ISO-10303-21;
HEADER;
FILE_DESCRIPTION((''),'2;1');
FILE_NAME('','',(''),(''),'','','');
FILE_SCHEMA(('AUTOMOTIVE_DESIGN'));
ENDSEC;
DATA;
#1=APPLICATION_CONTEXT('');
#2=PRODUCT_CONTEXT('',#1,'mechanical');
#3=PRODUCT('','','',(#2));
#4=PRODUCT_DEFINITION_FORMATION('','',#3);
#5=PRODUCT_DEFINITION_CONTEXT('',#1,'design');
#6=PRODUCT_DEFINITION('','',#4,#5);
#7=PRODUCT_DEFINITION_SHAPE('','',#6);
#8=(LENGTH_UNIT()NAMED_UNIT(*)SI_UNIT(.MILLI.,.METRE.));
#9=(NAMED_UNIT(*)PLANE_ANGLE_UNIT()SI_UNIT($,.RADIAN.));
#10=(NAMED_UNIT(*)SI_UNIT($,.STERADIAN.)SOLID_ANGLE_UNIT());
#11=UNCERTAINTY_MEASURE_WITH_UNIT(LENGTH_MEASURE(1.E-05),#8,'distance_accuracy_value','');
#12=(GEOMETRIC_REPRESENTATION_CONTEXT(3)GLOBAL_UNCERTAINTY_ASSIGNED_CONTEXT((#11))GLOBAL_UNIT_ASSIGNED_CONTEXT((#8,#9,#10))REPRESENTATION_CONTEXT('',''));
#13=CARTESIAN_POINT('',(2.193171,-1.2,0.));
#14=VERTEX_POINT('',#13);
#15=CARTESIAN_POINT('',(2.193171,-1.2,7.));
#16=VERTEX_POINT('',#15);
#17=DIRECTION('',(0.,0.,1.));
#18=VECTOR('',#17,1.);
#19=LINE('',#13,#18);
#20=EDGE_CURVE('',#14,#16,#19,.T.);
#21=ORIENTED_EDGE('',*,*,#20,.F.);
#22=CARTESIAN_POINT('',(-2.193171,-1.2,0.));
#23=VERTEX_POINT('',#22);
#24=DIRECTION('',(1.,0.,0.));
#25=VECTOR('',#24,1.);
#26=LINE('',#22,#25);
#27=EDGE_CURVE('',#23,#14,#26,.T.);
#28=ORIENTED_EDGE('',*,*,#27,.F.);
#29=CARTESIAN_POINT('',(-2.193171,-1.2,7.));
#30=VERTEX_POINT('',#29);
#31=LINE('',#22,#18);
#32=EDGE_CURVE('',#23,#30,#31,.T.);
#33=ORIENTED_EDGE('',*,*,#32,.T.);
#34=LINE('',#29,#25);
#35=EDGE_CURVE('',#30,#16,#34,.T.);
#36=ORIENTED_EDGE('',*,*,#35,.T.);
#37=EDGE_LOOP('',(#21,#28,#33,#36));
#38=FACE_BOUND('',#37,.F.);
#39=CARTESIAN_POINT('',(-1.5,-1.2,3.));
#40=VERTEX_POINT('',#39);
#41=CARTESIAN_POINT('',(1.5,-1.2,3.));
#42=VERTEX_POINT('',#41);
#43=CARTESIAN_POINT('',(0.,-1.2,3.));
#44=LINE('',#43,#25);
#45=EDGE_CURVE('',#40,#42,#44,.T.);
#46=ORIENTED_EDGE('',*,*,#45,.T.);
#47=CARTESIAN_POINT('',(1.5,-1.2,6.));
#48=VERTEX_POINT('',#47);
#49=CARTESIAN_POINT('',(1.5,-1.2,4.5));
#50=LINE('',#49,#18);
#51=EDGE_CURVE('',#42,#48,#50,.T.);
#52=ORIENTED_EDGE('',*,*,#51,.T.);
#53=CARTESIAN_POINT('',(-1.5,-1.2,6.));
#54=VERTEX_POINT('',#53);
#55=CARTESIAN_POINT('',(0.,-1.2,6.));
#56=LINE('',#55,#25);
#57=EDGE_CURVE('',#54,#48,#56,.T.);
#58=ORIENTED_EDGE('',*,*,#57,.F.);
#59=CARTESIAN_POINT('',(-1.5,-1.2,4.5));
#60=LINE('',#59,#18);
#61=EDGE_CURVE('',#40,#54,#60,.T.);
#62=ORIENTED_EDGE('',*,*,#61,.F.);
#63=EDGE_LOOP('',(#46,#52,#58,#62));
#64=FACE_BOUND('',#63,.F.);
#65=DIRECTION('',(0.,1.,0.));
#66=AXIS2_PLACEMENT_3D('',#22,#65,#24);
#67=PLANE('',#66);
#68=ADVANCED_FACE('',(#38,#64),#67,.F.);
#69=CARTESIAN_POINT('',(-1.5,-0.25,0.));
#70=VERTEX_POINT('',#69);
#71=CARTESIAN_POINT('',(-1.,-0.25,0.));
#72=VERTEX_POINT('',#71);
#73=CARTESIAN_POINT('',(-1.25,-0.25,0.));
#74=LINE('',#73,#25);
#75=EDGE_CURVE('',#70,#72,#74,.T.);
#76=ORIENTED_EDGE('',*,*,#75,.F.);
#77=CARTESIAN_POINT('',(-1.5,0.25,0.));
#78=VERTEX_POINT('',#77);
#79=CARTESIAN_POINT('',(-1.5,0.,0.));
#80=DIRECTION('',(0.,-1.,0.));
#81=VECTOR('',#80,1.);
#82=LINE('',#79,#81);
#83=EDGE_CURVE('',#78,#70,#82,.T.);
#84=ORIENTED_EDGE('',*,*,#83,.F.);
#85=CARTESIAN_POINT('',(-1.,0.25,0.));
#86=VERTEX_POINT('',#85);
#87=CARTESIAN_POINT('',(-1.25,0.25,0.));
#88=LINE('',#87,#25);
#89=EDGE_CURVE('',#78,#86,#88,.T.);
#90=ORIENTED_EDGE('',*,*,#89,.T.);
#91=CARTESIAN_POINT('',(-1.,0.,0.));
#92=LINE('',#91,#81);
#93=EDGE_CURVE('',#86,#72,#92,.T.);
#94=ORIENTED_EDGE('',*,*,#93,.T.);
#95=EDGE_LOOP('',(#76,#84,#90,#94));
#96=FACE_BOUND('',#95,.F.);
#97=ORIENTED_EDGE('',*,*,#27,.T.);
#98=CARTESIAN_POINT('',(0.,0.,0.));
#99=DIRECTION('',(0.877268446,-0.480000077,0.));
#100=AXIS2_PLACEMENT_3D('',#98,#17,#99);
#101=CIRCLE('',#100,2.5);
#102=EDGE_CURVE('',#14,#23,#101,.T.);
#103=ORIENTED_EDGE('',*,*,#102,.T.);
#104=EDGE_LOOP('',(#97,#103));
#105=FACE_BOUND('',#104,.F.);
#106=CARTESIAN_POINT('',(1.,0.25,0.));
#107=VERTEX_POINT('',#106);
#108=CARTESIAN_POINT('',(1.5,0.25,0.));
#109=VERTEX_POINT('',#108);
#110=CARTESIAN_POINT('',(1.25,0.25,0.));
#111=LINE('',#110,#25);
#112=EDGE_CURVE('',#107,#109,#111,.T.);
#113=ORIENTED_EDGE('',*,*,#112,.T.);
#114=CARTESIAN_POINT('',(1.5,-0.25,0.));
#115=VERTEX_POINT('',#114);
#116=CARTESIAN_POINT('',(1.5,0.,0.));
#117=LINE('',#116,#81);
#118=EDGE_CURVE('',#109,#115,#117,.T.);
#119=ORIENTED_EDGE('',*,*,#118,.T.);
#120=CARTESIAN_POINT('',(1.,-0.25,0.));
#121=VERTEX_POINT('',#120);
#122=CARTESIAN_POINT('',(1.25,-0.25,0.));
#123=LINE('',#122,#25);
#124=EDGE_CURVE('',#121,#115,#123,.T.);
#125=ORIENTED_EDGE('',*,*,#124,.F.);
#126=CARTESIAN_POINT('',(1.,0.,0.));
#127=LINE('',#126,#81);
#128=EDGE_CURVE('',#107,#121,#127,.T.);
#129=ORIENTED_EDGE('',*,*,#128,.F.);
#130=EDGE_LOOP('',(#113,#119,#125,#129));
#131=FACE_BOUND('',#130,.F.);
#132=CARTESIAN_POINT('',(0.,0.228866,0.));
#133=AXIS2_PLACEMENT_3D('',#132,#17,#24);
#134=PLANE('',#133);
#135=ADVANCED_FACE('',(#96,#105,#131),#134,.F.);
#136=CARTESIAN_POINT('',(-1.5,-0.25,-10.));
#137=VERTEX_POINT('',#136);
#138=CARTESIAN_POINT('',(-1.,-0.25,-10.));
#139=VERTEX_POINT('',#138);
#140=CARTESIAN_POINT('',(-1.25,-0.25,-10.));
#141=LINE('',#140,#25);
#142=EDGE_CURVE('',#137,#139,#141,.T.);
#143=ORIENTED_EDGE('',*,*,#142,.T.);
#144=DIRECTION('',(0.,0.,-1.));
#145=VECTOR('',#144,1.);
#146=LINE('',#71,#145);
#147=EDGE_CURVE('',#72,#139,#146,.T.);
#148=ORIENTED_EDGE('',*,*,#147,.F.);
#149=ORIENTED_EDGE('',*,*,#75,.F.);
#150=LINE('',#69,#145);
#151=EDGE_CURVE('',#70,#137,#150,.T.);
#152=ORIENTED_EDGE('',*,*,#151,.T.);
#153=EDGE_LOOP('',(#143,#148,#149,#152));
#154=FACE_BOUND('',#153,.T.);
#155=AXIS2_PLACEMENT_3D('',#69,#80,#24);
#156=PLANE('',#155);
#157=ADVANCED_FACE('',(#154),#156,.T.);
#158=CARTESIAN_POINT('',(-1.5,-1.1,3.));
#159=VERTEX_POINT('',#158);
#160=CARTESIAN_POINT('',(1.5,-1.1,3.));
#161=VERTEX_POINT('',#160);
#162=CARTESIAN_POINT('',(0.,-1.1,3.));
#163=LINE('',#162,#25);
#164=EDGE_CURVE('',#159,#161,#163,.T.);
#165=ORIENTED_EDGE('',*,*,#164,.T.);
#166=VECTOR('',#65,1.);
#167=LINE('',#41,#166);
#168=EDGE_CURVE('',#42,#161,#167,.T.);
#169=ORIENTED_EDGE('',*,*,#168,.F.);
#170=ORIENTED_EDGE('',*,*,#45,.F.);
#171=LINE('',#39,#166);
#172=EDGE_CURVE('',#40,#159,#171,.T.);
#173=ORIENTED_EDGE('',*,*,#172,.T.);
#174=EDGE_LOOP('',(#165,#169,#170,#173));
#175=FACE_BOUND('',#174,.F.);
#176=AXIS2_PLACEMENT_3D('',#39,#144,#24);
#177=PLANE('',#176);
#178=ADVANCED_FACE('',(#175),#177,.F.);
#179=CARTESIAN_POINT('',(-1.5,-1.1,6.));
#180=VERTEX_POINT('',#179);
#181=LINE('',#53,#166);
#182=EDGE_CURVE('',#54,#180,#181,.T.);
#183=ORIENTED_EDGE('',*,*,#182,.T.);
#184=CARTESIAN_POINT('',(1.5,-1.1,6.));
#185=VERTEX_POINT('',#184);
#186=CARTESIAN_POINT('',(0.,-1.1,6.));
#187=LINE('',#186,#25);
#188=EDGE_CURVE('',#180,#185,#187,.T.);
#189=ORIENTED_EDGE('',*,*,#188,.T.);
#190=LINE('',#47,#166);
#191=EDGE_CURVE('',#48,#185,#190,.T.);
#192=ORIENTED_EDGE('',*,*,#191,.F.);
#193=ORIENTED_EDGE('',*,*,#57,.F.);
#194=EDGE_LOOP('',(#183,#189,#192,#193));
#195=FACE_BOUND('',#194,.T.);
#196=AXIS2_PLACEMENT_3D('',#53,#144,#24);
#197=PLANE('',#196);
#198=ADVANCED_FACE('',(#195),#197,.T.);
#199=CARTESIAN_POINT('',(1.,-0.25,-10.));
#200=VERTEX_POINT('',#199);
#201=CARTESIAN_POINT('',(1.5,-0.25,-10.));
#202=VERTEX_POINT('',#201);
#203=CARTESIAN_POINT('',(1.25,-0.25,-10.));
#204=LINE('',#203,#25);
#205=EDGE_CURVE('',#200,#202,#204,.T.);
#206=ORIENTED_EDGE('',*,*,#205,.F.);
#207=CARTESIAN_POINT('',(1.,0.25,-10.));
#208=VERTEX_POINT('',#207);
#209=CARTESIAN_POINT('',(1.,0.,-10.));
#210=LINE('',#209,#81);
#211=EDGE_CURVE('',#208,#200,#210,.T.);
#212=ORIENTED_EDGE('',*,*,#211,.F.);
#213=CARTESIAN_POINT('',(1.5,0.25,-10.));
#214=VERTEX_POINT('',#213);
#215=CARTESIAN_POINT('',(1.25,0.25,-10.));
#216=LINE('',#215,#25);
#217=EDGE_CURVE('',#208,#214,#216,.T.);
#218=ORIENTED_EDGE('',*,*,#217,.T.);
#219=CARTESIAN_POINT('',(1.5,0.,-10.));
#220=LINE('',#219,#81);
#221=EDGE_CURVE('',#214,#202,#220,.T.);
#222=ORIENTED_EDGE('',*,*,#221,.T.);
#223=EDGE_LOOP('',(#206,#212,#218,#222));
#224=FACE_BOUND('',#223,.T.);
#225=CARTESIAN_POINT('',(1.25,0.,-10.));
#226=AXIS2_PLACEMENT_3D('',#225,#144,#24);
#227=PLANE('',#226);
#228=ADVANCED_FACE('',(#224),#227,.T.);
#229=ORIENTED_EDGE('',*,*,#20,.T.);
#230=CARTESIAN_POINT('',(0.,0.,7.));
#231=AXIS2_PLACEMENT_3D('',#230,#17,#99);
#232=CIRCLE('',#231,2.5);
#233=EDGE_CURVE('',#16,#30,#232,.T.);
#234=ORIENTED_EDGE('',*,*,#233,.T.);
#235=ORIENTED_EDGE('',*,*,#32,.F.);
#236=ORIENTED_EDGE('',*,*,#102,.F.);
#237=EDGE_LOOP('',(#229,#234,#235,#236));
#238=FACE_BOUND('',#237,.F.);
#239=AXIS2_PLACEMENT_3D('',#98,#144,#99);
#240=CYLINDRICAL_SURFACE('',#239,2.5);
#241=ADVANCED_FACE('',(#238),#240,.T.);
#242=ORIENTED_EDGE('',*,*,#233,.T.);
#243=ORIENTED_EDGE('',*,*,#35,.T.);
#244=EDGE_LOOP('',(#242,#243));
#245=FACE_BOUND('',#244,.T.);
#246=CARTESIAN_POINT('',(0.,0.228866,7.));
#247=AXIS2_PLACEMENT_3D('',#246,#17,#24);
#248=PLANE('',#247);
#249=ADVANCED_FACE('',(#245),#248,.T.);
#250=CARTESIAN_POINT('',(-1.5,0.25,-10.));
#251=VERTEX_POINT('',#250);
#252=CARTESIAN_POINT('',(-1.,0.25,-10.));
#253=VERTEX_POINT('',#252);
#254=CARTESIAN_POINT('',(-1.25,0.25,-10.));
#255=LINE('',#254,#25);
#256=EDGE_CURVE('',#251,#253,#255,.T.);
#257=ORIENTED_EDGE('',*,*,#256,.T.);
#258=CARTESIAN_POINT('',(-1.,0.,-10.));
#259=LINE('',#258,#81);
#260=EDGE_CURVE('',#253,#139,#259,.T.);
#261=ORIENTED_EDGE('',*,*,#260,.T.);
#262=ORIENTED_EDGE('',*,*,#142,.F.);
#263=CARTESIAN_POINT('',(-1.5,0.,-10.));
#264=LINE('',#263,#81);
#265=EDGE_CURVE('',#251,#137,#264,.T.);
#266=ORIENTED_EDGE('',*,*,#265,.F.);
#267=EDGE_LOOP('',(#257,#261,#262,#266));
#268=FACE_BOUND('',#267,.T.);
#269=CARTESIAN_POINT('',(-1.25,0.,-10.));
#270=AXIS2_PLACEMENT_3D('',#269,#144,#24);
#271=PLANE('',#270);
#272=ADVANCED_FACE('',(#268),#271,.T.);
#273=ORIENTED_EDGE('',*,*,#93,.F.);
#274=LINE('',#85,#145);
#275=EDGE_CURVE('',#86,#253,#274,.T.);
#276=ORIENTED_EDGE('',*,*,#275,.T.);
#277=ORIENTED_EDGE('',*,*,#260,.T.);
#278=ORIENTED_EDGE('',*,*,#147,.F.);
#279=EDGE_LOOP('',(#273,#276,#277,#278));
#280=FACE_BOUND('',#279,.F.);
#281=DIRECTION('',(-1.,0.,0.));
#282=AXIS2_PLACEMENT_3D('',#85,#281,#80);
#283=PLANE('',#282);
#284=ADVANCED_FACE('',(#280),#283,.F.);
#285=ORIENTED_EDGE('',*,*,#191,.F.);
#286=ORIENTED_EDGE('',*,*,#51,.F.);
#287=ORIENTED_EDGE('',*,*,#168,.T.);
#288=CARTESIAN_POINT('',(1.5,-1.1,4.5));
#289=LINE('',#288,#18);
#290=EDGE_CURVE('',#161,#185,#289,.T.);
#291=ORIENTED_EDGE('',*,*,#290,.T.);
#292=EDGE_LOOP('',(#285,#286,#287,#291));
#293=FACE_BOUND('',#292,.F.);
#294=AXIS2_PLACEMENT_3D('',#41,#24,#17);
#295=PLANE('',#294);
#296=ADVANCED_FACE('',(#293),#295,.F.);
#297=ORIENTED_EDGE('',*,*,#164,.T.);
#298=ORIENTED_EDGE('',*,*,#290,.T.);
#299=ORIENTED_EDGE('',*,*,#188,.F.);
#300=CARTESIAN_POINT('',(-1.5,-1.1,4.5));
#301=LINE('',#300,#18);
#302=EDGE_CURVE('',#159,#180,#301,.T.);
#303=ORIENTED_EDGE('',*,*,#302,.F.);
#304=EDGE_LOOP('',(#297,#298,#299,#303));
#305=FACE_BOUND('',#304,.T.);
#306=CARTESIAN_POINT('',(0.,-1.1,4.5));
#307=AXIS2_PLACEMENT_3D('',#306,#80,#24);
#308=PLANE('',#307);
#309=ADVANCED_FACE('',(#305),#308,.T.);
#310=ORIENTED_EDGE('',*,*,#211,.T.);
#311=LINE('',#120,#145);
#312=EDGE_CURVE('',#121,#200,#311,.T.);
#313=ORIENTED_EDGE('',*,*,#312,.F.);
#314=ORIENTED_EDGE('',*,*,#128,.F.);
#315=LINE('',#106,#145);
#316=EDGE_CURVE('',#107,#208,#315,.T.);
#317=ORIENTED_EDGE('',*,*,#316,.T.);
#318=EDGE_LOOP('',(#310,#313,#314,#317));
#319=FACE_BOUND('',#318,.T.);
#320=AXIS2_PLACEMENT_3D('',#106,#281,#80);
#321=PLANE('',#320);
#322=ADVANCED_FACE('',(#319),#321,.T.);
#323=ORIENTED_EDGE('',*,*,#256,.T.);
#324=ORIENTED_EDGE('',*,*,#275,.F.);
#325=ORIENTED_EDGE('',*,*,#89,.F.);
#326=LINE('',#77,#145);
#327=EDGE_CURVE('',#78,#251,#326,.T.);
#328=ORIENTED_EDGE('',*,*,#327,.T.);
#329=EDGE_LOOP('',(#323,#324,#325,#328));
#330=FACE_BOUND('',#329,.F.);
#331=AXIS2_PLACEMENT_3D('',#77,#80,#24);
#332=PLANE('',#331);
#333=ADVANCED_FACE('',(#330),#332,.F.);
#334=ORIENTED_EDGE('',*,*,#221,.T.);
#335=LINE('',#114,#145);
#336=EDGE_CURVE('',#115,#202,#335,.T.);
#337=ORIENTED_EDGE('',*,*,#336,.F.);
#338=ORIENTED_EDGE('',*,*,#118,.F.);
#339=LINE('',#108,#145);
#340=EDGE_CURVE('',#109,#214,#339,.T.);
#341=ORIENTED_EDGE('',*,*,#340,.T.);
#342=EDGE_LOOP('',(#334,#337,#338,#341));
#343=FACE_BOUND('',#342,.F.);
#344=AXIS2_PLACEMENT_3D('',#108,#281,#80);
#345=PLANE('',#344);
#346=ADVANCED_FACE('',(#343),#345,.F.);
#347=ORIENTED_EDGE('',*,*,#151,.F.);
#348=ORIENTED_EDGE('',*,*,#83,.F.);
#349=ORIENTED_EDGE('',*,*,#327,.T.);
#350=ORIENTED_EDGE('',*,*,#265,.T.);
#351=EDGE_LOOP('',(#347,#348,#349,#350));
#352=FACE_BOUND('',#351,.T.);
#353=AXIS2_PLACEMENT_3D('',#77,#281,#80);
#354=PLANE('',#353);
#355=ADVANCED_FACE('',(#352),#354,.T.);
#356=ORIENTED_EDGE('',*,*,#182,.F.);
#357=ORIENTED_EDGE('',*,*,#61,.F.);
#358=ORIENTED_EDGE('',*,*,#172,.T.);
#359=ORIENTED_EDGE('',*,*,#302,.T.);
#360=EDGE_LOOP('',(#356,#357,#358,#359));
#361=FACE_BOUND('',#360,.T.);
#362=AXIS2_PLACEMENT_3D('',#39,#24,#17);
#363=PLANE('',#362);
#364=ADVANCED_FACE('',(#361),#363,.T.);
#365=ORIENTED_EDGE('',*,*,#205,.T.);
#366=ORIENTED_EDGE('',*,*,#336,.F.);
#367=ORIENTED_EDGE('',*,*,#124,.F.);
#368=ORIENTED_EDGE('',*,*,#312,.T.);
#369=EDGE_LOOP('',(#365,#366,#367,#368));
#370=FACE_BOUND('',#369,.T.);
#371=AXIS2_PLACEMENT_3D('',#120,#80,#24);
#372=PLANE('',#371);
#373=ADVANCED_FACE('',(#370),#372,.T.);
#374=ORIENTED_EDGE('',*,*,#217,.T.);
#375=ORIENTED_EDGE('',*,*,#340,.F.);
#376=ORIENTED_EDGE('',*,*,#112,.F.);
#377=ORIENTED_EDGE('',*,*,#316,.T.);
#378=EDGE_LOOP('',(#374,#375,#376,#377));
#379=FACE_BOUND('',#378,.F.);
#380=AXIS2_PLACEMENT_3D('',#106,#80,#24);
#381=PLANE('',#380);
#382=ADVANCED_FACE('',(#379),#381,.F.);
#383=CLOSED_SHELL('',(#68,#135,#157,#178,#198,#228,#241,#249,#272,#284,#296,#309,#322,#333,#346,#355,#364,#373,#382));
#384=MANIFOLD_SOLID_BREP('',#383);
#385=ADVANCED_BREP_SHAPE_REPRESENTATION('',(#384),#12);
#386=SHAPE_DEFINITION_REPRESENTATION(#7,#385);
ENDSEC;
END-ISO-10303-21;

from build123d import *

# Parameters (mm, degrees)
PAD005_DEPTH    = 7
SKETCH018_W     = 0.5
SKETCH018_H     = 0.5
PAD006_DEPTH    = 10
SKETCH019_W     = 3
SKETCH019_H     = 3
POCKET003_DEPTH = 0.1


with BuildPart() as part:
    # Sketch017 → Pad005 (new body)
    with BuildSketch(Plane.XY):
        with BuildLine():
            ThreePointArc((2.193171, -1.2), (0, 2.5), (-2.193171, -1.2))
            Line((-2.193171, -1.2), (2.193171, -1.2))
        make_face()
    extrude(amount=PAD005_DEPTH)

    # Sketch018 (on Face3 of Pad005) → Pad006 (join)
    with BuildSketch(Plane(origin=(0, 0, 0), x_dir=(1, 0, 0), z_dir=(0, 0, -1))):
        with Locations((-1.25, 0)):
            Rectangle(SKETCH018_W, SKETCH018_H)
        with Locations((1.25, 0)):
            Rectangle(SKETCH018_W, SKETCH018_H)
    extrude(amount=PAD006_DEPTH)

    # Sketch019 (on Face2 of Pad006) → Pocket003 (cut)
    with BuildSketch(Plane.XZ.offset(1.2)):
        with Locations((0, 4.5)):
            Rectangle(SKETCH019_W, SKETCH019_H)
    extrude(amount=-POCKET003_DEPTH, mode=Mode.SUBTRACT)


solid = part.part
